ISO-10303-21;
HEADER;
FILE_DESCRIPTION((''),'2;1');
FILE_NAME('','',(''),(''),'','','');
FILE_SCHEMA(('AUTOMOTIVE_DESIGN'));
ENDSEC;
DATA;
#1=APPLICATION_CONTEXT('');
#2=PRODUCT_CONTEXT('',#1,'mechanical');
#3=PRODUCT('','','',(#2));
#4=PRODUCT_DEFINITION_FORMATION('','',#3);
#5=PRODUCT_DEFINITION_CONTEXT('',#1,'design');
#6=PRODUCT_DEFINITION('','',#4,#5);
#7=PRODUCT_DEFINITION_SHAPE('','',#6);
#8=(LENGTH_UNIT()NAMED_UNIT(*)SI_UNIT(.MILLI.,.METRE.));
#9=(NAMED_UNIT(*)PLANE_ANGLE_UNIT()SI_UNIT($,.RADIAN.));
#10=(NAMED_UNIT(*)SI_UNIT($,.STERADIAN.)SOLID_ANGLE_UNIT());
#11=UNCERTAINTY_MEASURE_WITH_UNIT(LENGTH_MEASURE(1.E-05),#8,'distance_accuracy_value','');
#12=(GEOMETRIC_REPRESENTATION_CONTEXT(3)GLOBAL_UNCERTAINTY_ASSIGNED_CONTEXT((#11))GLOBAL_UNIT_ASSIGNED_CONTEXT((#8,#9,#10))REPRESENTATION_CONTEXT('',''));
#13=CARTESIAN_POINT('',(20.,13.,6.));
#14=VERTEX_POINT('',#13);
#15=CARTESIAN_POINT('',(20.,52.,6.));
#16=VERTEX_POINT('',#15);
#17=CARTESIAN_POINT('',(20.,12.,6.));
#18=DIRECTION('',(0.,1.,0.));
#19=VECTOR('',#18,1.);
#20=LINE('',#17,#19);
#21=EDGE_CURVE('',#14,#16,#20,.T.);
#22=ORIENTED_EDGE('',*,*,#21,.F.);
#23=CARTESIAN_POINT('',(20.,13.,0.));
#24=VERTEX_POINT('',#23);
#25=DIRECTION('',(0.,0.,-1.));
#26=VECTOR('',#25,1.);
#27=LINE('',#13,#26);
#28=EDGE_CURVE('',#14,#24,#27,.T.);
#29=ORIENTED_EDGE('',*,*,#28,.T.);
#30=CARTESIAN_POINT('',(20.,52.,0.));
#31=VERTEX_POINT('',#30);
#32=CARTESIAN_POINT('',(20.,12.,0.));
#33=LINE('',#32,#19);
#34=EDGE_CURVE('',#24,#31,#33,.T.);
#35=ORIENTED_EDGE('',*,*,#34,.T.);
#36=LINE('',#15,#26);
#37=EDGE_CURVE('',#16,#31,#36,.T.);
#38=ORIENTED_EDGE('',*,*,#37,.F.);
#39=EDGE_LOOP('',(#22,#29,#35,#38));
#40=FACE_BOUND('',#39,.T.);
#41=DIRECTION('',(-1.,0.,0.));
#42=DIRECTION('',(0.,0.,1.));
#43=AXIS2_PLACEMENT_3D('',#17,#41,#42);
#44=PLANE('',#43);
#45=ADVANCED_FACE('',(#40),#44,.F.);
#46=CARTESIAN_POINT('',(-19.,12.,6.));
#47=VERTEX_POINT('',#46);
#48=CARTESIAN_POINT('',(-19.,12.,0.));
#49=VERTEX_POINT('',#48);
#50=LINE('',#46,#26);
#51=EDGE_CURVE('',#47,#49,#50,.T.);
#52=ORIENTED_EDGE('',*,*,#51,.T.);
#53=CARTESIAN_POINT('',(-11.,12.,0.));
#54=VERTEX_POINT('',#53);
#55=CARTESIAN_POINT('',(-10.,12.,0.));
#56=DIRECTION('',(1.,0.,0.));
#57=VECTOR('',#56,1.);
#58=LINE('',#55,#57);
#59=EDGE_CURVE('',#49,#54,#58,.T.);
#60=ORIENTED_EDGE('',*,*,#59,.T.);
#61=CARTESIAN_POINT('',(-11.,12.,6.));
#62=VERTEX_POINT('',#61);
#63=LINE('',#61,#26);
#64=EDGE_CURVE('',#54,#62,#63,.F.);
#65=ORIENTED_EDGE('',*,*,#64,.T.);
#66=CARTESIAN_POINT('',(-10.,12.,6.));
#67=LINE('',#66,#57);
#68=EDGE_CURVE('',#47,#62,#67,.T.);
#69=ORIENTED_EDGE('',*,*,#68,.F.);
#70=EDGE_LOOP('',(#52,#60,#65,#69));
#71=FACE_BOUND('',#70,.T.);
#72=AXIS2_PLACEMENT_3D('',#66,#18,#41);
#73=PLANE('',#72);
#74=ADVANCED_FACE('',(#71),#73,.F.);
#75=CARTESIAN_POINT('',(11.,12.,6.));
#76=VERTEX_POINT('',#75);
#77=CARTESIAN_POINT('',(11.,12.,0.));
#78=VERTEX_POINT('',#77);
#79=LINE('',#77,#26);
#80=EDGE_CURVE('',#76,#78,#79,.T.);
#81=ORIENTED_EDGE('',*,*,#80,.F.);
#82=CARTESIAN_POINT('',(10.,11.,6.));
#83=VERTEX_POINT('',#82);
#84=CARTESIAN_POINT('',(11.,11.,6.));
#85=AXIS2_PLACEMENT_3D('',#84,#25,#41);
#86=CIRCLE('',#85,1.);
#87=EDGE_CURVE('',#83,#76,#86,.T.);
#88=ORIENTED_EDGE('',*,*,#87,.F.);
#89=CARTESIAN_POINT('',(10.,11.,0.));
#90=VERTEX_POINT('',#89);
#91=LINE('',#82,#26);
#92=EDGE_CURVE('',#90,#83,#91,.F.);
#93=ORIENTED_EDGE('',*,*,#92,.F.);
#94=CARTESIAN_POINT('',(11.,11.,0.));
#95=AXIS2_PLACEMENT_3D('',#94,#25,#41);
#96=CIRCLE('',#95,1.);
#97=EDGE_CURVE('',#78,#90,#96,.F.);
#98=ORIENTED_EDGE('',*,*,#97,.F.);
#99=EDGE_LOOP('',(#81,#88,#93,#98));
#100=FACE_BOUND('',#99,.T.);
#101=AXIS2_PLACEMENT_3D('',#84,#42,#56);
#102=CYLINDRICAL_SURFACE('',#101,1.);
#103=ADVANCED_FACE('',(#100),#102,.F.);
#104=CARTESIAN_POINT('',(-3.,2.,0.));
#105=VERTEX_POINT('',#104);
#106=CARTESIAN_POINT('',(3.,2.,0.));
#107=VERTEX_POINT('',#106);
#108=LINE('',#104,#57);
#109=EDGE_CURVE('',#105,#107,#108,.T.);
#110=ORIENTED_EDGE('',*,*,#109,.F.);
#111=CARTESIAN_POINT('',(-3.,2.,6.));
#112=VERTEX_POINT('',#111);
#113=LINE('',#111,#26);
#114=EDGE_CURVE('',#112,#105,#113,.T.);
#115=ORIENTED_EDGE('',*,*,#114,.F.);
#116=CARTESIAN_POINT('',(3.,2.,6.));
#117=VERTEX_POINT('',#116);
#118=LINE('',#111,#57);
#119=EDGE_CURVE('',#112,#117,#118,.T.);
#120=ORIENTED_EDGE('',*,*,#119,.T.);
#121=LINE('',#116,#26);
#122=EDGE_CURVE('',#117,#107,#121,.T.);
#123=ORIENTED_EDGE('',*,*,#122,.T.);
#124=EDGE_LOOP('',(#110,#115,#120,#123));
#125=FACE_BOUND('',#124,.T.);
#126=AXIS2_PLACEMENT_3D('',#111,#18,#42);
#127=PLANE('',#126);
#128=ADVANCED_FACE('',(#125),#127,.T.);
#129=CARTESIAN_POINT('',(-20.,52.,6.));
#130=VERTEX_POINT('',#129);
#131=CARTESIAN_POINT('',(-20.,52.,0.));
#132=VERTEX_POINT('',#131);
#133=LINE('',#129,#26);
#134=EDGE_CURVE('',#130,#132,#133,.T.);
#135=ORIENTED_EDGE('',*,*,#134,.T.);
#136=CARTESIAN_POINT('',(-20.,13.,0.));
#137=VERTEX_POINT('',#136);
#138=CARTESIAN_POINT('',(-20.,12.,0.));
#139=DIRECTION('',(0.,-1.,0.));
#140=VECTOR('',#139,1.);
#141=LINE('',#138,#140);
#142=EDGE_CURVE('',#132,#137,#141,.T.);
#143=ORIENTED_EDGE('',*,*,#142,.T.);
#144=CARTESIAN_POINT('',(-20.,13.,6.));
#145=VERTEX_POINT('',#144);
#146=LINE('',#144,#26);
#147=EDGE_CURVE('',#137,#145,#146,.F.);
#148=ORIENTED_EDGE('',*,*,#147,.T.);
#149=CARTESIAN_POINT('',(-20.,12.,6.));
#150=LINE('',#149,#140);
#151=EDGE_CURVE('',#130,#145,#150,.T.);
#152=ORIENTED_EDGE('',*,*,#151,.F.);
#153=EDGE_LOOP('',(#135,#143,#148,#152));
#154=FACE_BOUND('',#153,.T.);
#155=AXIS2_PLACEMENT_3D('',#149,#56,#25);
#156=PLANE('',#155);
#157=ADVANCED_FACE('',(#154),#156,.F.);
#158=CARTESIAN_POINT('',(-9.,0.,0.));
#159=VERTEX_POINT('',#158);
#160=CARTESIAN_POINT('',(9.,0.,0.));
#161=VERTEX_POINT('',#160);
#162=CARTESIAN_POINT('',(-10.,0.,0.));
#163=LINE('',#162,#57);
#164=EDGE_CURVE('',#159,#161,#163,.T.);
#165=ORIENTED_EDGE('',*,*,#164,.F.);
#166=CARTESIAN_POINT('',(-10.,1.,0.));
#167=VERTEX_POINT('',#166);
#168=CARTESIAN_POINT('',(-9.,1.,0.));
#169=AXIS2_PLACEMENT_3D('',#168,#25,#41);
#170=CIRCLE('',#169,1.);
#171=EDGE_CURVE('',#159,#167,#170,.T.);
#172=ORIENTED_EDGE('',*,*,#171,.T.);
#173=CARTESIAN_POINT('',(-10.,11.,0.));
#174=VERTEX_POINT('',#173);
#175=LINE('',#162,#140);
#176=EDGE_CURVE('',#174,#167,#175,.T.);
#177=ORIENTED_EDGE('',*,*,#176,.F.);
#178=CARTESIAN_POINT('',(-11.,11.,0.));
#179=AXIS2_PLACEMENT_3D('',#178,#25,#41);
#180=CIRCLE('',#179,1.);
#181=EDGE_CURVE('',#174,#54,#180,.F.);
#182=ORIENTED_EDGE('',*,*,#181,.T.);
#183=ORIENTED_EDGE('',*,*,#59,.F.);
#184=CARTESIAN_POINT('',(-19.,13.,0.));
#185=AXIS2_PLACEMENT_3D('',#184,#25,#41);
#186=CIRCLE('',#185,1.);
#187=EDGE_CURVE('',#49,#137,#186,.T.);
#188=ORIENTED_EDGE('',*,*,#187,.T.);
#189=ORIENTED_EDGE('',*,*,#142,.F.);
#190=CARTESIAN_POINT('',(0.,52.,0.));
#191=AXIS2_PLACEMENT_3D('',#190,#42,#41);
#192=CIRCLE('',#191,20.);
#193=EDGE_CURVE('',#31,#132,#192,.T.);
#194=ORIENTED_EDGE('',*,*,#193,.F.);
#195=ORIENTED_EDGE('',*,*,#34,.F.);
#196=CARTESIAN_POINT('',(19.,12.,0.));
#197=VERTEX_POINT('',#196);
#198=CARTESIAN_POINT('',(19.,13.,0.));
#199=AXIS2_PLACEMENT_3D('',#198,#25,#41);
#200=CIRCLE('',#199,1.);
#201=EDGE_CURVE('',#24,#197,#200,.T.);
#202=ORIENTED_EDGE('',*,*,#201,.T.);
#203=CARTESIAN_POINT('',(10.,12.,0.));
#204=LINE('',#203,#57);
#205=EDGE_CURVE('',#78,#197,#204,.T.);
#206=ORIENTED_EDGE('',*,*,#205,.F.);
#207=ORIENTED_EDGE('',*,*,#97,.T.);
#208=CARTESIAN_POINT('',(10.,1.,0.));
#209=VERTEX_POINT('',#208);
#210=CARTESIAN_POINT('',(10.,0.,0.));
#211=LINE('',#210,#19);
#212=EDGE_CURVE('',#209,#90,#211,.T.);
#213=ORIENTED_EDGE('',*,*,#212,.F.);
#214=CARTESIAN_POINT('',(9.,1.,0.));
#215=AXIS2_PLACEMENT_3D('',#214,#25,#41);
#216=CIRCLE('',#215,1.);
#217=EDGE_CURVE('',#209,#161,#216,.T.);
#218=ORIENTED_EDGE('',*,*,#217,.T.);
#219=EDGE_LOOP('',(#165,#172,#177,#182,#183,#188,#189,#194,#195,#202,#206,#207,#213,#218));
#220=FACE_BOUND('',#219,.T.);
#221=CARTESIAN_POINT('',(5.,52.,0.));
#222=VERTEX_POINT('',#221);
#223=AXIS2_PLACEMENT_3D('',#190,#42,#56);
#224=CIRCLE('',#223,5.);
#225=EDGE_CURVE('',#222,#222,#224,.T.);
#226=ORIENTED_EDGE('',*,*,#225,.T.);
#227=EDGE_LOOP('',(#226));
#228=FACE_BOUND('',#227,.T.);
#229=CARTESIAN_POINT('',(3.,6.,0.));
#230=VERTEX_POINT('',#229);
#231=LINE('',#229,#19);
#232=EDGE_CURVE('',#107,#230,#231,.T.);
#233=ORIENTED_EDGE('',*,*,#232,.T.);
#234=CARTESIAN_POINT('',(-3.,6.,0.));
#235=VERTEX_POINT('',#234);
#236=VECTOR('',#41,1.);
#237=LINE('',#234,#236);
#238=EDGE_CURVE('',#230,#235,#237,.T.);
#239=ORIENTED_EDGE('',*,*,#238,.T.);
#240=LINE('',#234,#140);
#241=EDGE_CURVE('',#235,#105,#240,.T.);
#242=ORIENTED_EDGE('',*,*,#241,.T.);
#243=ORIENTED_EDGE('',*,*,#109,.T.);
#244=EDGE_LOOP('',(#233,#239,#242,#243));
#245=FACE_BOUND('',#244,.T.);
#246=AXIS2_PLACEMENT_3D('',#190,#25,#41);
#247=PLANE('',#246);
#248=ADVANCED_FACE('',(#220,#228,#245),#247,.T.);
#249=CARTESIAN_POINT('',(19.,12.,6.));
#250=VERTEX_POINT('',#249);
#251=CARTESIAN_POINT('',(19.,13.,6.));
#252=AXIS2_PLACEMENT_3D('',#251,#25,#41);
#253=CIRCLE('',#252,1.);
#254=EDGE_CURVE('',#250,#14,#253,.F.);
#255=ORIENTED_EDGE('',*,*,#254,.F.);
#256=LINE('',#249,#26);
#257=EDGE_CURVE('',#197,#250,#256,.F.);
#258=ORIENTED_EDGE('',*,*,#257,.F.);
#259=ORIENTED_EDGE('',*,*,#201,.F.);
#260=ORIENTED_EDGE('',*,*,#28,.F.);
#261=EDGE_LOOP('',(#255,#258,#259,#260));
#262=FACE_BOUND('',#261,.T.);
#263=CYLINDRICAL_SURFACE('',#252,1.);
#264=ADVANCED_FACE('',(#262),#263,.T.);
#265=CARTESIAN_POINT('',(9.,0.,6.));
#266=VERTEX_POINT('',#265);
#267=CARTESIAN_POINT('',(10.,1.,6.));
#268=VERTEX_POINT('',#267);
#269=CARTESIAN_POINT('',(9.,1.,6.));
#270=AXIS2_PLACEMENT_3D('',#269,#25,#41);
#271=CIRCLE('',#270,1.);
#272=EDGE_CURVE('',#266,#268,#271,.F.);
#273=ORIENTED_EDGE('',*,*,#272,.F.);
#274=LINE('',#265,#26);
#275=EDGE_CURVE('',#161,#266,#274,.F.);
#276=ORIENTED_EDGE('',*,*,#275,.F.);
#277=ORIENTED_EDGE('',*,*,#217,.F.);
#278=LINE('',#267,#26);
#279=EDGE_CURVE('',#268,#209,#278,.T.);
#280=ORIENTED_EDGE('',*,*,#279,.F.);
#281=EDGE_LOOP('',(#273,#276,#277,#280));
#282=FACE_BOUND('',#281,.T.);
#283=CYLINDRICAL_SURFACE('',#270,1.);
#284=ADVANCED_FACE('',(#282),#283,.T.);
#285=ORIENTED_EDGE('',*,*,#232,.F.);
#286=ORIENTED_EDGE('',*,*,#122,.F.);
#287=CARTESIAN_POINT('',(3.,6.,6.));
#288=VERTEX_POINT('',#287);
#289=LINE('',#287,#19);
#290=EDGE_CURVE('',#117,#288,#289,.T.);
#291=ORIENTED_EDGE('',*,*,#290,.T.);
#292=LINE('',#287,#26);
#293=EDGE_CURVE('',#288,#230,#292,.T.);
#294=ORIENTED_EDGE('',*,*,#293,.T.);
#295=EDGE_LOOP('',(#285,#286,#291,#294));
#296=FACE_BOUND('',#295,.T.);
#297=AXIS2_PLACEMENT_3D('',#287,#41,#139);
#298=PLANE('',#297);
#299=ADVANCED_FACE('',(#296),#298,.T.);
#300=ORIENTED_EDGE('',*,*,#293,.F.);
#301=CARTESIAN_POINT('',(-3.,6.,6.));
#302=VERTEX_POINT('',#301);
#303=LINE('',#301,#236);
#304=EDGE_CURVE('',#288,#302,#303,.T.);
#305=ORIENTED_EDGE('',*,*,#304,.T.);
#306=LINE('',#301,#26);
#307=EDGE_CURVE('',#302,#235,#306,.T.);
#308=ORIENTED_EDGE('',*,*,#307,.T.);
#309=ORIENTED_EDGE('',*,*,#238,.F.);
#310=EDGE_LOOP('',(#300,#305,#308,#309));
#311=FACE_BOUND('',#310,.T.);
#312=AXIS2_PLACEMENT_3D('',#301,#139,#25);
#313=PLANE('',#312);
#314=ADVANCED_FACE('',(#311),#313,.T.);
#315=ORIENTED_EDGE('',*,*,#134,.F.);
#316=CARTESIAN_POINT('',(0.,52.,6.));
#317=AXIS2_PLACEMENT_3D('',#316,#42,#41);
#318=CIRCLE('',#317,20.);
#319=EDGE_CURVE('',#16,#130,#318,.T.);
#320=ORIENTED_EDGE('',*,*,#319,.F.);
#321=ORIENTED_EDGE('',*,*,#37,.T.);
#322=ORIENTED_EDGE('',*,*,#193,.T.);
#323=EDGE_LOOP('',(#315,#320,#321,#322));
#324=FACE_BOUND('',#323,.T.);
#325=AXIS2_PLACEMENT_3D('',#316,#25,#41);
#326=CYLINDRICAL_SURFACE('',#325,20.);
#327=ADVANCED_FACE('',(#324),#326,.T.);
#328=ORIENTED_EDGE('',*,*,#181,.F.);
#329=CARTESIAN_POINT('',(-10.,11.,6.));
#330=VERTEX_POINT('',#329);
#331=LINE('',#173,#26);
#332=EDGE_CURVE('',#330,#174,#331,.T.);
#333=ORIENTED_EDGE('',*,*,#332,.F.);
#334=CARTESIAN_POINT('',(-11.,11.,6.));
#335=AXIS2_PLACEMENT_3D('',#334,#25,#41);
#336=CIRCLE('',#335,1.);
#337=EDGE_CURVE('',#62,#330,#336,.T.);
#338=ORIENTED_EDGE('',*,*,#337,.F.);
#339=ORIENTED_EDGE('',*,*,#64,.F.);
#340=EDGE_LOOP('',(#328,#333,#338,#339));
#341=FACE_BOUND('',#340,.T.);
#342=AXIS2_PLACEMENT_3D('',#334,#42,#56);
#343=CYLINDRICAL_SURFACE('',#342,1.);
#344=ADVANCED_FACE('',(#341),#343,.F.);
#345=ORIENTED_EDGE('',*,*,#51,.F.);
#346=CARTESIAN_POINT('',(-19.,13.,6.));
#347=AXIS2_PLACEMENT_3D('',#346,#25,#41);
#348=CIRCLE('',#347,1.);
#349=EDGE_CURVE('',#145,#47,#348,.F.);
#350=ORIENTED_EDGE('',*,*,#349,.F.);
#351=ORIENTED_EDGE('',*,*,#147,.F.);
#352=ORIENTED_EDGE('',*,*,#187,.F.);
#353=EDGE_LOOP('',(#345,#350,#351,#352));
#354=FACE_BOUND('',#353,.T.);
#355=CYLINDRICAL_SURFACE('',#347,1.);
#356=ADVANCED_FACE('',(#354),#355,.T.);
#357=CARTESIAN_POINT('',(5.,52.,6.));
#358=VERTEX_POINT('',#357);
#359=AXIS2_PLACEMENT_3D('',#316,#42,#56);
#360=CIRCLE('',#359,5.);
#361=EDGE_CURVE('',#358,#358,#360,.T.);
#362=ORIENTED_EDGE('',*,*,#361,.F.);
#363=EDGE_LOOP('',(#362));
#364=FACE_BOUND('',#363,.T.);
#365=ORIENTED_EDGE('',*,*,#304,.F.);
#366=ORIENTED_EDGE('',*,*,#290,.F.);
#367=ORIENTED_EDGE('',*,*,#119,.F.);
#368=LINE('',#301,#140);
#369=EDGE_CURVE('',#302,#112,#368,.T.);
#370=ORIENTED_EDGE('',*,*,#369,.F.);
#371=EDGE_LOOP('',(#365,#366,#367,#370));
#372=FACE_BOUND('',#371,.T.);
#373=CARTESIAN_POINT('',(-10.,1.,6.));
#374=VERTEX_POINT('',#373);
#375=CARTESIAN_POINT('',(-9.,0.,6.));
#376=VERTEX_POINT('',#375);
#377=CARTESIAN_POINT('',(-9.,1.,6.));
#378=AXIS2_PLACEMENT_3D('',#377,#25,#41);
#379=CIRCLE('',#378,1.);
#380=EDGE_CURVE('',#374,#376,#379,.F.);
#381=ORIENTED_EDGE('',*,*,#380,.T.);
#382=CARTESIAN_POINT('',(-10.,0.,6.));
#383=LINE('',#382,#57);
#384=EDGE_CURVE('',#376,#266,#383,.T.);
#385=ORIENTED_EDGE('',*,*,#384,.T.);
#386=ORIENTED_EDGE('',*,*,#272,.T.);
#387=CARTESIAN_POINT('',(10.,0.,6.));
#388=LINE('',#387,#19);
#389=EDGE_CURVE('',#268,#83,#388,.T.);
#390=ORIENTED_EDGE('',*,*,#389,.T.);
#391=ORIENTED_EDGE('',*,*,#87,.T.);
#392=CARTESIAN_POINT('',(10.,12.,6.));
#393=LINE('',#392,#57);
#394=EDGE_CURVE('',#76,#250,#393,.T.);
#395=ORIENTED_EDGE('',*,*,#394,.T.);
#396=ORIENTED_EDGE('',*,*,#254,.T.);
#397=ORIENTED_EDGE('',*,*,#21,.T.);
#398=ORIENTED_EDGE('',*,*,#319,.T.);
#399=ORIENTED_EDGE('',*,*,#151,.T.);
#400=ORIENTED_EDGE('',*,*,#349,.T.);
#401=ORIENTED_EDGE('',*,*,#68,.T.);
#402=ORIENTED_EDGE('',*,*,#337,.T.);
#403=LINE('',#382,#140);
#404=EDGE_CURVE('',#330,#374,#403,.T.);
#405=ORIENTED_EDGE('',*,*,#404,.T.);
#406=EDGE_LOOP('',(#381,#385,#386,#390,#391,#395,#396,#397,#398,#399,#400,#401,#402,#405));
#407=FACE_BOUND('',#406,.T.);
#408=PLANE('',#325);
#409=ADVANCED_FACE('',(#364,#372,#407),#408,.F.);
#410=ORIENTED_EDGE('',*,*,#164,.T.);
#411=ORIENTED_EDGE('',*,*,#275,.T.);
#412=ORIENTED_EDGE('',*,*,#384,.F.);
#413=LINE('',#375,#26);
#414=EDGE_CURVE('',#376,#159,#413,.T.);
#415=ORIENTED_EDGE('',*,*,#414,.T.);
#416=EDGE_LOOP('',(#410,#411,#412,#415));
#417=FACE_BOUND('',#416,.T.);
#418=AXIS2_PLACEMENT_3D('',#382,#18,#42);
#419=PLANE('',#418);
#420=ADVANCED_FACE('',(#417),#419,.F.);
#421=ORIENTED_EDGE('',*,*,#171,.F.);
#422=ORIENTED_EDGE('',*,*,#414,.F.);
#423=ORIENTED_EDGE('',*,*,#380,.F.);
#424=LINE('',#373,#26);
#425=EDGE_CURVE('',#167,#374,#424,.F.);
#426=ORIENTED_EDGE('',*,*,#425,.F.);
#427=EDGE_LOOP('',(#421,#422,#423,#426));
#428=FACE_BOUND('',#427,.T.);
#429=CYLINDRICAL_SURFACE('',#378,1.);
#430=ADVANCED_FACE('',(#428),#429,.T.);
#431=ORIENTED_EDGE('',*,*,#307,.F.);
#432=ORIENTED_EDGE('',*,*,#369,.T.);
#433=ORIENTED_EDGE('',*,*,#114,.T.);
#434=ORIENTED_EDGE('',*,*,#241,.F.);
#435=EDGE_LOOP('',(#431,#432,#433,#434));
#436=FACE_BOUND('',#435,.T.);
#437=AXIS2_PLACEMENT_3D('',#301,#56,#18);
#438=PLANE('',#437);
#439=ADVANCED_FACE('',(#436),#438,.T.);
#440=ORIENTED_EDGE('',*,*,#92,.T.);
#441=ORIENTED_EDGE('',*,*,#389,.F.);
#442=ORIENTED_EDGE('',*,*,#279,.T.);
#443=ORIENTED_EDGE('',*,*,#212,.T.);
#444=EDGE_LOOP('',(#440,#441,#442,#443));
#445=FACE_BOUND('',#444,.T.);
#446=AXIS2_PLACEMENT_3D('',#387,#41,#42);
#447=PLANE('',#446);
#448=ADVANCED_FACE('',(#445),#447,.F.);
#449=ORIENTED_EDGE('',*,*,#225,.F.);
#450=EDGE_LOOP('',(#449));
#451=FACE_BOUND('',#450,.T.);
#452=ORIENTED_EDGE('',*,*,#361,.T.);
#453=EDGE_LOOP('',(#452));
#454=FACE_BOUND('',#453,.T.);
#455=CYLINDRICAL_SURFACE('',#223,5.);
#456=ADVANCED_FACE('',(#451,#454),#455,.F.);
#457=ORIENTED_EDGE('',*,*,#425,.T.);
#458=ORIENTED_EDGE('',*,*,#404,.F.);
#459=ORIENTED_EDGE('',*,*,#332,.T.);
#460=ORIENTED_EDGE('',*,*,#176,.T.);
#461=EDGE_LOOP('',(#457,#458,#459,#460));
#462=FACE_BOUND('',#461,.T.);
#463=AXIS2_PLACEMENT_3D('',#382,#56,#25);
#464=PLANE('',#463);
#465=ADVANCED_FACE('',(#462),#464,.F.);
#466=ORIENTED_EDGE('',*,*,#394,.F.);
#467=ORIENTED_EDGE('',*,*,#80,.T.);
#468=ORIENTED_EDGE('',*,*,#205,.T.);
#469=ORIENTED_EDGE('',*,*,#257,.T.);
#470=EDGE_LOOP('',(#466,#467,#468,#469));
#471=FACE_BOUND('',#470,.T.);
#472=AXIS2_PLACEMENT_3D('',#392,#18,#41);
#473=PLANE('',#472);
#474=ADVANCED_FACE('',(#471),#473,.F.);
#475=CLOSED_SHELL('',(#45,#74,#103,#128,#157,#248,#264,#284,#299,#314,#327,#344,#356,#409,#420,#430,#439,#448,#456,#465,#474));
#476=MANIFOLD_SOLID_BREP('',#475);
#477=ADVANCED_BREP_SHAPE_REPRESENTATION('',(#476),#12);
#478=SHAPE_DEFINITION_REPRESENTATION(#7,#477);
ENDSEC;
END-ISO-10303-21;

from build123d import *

# Parameters (mm, degrees)
SKETCH1_W           = 6
SKETCH1_H           = 4
BOSS_EXTRUDE1_DEPTH = 6
FILLET1_R           = 1
SKETCH2_R           = 5
CUT_EXTRUDE1_DEPTH  = 75.966659256


with BuildPart() as part:
    # Sketch1 → Boss-Extrude1 (new body)
    with BuildSketch(Plane.XY):
        with BuildLine():
            Line((-10, 0), (10, 0))
            Line((10, 0), (10, 12))
            Line((10, 12), (20, 12))
            Line((20, 12), (20, 52))
            ThreePointArc((20, 52), (0, 72), (-20, 52))
            Line((-20, 52), (-20, 12))
            Line((-20, 12), (-10, 12))
            Line((-10, 12), (-10, 0))
        make_face()
        with Locations((0, 4)):
            Rectangle(SKETCH1_W, SKETCH1_H, mode=Mode.SUBTRACT)
    extrude(amount=BOSS_EXTRUDE1_DEPTH)

    # Fillet1
    fillet1_edges = [part.edges().sort_by_distance(p)[0] for p in [
        (10, 0, 3),
        (-10, 0, 3),
        (-10, 12, 3),
        (-20, 12, 3),
        (20, 12, 3),
        (10, 12, 3),
    ]]
    fillet(fillet1_edges, radius=FILLET1_R)

    # Sketch2 → Cut-Extrude1 (cut, through all)
    with BuildSketch(Plane.XY.offset(6)):
        with Locations((0, 52)):
            Circle(SKETCH2_R)
    extrude(amount=-CUT_EXTRUDE1_DEPTH, mode=Mode.SUBTRACT)


solid = part.part
